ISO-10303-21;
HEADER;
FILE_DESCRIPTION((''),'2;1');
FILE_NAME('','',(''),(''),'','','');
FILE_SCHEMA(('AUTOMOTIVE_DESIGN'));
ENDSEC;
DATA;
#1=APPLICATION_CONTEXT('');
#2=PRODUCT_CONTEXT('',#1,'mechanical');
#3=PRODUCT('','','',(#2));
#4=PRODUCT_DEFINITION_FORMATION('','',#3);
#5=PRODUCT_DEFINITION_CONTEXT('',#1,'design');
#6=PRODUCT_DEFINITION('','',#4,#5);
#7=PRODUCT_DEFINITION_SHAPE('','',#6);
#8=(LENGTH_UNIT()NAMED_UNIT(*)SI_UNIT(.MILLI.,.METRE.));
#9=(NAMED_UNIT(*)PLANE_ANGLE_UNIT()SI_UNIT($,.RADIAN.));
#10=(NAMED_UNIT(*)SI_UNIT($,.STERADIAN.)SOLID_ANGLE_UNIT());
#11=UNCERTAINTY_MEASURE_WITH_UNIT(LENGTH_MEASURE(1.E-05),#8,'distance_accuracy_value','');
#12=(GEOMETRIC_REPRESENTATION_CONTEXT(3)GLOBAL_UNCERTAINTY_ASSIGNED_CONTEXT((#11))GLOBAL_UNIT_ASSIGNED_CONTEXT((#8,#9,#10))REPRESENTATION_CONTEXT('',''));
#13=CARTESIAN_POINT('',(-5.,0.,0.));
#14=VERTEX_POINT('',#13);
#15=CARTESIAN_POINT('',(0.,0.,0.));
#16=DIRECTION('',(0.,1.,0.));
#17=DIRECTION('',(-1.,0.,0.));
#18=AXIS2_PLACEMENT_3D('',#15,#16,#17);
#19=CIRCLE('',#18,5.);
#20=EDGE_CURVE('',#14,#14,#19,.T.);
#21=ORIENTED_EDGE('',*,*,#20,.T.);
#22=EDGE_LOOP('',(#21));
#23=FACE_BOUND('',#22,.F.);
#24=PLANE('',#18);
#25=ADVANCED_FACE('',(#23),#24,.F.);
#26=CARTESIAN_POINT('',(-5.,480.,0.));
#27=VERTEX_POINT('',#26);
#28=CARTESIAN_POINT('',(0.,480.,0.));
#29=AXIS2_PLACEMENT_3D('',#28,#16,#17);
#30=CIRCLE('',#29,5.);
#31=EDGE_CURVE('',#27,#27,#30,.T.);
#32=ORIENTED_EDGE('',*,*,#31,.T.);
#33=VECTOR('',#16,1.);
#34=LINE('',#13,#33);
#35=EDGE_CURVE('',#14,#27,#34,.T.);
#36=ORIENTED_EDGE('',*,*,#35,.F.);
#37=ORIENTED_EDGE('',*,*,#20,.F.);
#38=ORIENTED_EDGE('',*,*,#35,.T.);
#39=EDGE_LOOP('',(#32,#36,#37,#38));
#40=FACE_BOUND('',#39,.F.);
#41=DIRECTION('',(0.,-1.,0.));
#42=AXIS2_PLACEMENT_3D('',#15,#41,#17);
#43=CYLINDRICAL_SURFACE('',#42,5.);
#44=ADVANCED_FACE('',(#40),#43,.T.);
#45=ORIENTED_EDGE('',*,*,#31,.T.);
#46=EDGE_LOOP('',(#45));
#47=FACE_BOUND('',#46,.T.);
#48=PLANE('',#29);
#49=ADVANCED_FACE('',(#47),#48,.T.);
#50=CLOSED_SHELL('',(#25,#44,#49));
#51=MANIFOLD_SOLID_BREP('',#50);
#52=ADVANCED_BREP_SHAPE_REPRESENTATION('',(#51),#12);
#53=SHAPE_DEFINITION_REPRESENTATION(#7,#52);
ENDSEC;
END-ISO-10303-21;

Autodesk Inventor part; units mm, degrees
ref_plane "YZ Plane" through (0, 0, 0) normal (1, 0, 0) x (0, 1, 0)
ref_plane "XZ Plane" through (0, 0, 0) normal (0, 1, 0) x (-1, 0, 0)
ref_plane "XY Plane" through (0, 0, 0) normal (0, 0, 1) x (1, 0, 0)
sketch "Sketch1" plane through (0, 0, 0) normal (0, 1, 0) x (-1, 0, 0)
  circle A0 centre (0, 0) radius 5
  dimension "d0" = 10
extrude "Extrusion1" add sketch "Sketch1" along normal blind 480
thread "Thread1" size "M10x1.5" class "6g" standard "ANSI Metric M Profile" full length
properties part number "M10x480"
